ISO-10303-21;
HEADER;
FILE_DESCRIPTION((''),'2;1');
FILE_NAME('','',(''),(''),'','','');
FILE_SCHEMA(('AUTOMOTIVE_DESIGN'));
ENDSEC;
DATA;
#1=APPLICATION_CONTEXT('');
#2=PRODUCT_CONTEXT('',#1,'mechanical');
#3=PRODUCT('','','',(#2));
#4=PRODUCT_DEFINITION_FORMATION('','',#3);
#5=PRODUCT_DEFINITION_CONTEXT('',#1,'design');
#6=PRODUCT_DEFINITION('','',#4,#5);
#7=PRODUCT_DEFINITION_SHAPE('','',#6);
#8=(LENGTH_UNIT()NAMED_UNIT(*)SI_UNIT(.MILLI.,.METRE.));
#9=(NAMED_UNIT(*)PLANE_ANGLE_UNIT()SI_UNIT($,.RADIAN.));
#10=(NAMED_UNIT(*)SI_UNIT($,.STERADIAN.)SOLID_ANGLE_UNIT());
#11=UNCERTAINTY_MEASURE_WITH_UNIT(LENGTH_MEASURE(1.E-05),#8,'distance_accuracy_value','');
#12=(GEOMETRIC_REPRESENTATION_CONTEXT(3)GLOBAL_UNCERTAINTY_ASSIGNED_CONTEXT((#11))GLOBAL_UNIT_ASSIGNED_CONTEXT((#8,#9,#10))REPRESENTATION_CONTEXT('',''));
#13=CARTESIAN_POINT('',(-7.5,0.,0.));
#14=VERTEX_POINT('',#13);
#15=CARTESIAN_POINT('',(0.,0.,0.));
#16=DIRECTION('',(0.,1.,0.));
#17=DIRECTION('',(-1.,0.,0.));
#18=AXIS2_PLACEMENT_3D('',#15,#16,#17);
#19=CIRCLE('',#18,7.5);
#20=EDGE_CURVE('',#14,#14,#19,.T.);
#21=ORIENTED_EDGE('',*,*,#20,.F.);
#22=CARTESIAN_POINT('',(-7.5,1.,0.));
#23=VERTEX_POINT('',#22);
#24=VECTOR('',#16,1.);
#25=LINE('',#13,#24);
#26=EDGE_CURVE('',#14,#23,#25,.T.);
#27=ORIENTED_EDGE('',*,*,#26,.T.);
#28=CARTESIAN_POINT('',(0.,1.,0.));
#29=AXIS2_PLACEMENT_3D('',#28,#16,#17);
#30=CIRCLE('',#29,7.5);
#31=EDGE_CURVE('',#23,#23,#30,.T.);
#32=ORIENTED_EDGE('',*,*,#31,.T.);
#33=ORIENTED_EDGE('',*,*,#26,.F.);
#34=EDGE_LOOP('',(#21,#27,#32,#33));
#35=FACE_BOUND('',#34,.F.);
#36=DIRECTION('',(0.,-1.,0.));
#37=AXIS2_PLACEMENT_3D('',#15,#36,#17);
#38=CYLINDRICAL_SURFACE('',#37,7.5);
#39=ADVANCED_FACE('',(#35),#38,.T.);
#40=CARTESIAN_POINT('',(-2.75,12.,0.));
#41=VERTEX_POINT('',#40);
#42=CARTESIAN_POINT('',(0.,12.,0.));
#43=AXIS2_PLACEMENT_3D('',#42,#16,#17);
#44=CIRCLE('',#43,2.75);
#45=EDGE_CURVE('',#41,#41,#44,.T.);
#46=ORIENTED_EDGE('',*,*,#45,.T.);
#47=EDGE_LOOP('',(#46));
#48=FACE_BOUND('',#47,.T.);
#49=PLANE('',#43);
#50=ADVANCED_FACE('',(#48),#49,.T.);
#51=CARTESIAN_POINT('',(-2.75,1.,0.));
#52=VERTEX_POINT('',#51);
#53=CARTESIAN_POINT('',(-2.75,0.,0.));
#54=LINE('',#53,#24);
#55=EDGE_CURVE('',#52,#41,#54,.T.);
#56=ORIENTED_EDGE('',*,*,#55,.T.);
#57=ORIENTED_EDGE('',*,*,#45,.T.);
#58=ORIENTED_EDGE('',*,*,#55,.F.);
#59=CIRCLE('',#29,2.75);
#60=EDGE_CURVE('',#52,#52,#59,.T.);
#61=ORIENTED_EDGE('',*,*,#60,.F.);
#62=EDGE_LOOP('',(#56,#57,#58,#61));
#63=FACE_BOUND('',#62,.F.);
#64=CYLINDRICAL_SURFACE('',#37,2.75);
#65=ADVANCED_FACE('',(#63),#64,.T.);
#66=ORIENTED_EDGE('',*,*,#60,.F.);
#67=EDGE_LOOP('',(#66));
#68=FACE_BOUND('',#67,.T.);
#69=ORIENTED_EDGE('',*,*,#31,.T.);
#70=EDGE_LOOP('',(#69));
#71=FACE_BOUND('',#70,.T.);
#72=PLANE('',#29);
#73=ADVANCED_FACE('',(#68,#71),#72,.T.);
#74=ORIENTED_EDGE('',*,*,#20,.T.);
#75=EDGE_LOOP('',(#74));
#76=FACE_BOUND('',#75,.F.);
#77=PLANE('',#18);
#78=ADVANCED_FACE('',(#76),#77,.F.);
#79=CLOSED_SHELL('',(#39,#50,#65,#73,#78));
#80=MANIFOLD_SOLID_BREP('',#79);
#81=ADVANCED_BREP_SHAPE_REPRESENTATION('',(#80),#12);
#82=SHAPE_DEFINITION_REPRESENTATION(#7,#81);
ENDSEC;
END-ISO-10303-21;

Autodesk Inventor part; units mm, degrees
ref_plane "YZ Plane" through (0, 0, 0) normal (1, 0, 0) x (0, 1, 0)
ref_plane "XZ Plane" through (0, 0, 0) normal (0, 1, 0) x (-1, 0, 0)
ref_plane "XY Plane" through (0, 0, 0) normal (0, 0, 1) x (1, 0, 0)
sketch "Sketch1" plane through (0, 0, 0) normal (0, 1, 0) x (-1, 0, 0)
  circle A0 centre (0, 0) radius 7.5
  circle A1 centre (0, 0) radius 2.75
  dimension "d0" = 15
  dimension "d1" = 5.5
extrude "Extrusion1" add sketch "Sketch1" along normal blind 1
extrude "Extrusion2" add sketch "Sketch1" along normal blind 12 contours A1
properties part number "tipli"
